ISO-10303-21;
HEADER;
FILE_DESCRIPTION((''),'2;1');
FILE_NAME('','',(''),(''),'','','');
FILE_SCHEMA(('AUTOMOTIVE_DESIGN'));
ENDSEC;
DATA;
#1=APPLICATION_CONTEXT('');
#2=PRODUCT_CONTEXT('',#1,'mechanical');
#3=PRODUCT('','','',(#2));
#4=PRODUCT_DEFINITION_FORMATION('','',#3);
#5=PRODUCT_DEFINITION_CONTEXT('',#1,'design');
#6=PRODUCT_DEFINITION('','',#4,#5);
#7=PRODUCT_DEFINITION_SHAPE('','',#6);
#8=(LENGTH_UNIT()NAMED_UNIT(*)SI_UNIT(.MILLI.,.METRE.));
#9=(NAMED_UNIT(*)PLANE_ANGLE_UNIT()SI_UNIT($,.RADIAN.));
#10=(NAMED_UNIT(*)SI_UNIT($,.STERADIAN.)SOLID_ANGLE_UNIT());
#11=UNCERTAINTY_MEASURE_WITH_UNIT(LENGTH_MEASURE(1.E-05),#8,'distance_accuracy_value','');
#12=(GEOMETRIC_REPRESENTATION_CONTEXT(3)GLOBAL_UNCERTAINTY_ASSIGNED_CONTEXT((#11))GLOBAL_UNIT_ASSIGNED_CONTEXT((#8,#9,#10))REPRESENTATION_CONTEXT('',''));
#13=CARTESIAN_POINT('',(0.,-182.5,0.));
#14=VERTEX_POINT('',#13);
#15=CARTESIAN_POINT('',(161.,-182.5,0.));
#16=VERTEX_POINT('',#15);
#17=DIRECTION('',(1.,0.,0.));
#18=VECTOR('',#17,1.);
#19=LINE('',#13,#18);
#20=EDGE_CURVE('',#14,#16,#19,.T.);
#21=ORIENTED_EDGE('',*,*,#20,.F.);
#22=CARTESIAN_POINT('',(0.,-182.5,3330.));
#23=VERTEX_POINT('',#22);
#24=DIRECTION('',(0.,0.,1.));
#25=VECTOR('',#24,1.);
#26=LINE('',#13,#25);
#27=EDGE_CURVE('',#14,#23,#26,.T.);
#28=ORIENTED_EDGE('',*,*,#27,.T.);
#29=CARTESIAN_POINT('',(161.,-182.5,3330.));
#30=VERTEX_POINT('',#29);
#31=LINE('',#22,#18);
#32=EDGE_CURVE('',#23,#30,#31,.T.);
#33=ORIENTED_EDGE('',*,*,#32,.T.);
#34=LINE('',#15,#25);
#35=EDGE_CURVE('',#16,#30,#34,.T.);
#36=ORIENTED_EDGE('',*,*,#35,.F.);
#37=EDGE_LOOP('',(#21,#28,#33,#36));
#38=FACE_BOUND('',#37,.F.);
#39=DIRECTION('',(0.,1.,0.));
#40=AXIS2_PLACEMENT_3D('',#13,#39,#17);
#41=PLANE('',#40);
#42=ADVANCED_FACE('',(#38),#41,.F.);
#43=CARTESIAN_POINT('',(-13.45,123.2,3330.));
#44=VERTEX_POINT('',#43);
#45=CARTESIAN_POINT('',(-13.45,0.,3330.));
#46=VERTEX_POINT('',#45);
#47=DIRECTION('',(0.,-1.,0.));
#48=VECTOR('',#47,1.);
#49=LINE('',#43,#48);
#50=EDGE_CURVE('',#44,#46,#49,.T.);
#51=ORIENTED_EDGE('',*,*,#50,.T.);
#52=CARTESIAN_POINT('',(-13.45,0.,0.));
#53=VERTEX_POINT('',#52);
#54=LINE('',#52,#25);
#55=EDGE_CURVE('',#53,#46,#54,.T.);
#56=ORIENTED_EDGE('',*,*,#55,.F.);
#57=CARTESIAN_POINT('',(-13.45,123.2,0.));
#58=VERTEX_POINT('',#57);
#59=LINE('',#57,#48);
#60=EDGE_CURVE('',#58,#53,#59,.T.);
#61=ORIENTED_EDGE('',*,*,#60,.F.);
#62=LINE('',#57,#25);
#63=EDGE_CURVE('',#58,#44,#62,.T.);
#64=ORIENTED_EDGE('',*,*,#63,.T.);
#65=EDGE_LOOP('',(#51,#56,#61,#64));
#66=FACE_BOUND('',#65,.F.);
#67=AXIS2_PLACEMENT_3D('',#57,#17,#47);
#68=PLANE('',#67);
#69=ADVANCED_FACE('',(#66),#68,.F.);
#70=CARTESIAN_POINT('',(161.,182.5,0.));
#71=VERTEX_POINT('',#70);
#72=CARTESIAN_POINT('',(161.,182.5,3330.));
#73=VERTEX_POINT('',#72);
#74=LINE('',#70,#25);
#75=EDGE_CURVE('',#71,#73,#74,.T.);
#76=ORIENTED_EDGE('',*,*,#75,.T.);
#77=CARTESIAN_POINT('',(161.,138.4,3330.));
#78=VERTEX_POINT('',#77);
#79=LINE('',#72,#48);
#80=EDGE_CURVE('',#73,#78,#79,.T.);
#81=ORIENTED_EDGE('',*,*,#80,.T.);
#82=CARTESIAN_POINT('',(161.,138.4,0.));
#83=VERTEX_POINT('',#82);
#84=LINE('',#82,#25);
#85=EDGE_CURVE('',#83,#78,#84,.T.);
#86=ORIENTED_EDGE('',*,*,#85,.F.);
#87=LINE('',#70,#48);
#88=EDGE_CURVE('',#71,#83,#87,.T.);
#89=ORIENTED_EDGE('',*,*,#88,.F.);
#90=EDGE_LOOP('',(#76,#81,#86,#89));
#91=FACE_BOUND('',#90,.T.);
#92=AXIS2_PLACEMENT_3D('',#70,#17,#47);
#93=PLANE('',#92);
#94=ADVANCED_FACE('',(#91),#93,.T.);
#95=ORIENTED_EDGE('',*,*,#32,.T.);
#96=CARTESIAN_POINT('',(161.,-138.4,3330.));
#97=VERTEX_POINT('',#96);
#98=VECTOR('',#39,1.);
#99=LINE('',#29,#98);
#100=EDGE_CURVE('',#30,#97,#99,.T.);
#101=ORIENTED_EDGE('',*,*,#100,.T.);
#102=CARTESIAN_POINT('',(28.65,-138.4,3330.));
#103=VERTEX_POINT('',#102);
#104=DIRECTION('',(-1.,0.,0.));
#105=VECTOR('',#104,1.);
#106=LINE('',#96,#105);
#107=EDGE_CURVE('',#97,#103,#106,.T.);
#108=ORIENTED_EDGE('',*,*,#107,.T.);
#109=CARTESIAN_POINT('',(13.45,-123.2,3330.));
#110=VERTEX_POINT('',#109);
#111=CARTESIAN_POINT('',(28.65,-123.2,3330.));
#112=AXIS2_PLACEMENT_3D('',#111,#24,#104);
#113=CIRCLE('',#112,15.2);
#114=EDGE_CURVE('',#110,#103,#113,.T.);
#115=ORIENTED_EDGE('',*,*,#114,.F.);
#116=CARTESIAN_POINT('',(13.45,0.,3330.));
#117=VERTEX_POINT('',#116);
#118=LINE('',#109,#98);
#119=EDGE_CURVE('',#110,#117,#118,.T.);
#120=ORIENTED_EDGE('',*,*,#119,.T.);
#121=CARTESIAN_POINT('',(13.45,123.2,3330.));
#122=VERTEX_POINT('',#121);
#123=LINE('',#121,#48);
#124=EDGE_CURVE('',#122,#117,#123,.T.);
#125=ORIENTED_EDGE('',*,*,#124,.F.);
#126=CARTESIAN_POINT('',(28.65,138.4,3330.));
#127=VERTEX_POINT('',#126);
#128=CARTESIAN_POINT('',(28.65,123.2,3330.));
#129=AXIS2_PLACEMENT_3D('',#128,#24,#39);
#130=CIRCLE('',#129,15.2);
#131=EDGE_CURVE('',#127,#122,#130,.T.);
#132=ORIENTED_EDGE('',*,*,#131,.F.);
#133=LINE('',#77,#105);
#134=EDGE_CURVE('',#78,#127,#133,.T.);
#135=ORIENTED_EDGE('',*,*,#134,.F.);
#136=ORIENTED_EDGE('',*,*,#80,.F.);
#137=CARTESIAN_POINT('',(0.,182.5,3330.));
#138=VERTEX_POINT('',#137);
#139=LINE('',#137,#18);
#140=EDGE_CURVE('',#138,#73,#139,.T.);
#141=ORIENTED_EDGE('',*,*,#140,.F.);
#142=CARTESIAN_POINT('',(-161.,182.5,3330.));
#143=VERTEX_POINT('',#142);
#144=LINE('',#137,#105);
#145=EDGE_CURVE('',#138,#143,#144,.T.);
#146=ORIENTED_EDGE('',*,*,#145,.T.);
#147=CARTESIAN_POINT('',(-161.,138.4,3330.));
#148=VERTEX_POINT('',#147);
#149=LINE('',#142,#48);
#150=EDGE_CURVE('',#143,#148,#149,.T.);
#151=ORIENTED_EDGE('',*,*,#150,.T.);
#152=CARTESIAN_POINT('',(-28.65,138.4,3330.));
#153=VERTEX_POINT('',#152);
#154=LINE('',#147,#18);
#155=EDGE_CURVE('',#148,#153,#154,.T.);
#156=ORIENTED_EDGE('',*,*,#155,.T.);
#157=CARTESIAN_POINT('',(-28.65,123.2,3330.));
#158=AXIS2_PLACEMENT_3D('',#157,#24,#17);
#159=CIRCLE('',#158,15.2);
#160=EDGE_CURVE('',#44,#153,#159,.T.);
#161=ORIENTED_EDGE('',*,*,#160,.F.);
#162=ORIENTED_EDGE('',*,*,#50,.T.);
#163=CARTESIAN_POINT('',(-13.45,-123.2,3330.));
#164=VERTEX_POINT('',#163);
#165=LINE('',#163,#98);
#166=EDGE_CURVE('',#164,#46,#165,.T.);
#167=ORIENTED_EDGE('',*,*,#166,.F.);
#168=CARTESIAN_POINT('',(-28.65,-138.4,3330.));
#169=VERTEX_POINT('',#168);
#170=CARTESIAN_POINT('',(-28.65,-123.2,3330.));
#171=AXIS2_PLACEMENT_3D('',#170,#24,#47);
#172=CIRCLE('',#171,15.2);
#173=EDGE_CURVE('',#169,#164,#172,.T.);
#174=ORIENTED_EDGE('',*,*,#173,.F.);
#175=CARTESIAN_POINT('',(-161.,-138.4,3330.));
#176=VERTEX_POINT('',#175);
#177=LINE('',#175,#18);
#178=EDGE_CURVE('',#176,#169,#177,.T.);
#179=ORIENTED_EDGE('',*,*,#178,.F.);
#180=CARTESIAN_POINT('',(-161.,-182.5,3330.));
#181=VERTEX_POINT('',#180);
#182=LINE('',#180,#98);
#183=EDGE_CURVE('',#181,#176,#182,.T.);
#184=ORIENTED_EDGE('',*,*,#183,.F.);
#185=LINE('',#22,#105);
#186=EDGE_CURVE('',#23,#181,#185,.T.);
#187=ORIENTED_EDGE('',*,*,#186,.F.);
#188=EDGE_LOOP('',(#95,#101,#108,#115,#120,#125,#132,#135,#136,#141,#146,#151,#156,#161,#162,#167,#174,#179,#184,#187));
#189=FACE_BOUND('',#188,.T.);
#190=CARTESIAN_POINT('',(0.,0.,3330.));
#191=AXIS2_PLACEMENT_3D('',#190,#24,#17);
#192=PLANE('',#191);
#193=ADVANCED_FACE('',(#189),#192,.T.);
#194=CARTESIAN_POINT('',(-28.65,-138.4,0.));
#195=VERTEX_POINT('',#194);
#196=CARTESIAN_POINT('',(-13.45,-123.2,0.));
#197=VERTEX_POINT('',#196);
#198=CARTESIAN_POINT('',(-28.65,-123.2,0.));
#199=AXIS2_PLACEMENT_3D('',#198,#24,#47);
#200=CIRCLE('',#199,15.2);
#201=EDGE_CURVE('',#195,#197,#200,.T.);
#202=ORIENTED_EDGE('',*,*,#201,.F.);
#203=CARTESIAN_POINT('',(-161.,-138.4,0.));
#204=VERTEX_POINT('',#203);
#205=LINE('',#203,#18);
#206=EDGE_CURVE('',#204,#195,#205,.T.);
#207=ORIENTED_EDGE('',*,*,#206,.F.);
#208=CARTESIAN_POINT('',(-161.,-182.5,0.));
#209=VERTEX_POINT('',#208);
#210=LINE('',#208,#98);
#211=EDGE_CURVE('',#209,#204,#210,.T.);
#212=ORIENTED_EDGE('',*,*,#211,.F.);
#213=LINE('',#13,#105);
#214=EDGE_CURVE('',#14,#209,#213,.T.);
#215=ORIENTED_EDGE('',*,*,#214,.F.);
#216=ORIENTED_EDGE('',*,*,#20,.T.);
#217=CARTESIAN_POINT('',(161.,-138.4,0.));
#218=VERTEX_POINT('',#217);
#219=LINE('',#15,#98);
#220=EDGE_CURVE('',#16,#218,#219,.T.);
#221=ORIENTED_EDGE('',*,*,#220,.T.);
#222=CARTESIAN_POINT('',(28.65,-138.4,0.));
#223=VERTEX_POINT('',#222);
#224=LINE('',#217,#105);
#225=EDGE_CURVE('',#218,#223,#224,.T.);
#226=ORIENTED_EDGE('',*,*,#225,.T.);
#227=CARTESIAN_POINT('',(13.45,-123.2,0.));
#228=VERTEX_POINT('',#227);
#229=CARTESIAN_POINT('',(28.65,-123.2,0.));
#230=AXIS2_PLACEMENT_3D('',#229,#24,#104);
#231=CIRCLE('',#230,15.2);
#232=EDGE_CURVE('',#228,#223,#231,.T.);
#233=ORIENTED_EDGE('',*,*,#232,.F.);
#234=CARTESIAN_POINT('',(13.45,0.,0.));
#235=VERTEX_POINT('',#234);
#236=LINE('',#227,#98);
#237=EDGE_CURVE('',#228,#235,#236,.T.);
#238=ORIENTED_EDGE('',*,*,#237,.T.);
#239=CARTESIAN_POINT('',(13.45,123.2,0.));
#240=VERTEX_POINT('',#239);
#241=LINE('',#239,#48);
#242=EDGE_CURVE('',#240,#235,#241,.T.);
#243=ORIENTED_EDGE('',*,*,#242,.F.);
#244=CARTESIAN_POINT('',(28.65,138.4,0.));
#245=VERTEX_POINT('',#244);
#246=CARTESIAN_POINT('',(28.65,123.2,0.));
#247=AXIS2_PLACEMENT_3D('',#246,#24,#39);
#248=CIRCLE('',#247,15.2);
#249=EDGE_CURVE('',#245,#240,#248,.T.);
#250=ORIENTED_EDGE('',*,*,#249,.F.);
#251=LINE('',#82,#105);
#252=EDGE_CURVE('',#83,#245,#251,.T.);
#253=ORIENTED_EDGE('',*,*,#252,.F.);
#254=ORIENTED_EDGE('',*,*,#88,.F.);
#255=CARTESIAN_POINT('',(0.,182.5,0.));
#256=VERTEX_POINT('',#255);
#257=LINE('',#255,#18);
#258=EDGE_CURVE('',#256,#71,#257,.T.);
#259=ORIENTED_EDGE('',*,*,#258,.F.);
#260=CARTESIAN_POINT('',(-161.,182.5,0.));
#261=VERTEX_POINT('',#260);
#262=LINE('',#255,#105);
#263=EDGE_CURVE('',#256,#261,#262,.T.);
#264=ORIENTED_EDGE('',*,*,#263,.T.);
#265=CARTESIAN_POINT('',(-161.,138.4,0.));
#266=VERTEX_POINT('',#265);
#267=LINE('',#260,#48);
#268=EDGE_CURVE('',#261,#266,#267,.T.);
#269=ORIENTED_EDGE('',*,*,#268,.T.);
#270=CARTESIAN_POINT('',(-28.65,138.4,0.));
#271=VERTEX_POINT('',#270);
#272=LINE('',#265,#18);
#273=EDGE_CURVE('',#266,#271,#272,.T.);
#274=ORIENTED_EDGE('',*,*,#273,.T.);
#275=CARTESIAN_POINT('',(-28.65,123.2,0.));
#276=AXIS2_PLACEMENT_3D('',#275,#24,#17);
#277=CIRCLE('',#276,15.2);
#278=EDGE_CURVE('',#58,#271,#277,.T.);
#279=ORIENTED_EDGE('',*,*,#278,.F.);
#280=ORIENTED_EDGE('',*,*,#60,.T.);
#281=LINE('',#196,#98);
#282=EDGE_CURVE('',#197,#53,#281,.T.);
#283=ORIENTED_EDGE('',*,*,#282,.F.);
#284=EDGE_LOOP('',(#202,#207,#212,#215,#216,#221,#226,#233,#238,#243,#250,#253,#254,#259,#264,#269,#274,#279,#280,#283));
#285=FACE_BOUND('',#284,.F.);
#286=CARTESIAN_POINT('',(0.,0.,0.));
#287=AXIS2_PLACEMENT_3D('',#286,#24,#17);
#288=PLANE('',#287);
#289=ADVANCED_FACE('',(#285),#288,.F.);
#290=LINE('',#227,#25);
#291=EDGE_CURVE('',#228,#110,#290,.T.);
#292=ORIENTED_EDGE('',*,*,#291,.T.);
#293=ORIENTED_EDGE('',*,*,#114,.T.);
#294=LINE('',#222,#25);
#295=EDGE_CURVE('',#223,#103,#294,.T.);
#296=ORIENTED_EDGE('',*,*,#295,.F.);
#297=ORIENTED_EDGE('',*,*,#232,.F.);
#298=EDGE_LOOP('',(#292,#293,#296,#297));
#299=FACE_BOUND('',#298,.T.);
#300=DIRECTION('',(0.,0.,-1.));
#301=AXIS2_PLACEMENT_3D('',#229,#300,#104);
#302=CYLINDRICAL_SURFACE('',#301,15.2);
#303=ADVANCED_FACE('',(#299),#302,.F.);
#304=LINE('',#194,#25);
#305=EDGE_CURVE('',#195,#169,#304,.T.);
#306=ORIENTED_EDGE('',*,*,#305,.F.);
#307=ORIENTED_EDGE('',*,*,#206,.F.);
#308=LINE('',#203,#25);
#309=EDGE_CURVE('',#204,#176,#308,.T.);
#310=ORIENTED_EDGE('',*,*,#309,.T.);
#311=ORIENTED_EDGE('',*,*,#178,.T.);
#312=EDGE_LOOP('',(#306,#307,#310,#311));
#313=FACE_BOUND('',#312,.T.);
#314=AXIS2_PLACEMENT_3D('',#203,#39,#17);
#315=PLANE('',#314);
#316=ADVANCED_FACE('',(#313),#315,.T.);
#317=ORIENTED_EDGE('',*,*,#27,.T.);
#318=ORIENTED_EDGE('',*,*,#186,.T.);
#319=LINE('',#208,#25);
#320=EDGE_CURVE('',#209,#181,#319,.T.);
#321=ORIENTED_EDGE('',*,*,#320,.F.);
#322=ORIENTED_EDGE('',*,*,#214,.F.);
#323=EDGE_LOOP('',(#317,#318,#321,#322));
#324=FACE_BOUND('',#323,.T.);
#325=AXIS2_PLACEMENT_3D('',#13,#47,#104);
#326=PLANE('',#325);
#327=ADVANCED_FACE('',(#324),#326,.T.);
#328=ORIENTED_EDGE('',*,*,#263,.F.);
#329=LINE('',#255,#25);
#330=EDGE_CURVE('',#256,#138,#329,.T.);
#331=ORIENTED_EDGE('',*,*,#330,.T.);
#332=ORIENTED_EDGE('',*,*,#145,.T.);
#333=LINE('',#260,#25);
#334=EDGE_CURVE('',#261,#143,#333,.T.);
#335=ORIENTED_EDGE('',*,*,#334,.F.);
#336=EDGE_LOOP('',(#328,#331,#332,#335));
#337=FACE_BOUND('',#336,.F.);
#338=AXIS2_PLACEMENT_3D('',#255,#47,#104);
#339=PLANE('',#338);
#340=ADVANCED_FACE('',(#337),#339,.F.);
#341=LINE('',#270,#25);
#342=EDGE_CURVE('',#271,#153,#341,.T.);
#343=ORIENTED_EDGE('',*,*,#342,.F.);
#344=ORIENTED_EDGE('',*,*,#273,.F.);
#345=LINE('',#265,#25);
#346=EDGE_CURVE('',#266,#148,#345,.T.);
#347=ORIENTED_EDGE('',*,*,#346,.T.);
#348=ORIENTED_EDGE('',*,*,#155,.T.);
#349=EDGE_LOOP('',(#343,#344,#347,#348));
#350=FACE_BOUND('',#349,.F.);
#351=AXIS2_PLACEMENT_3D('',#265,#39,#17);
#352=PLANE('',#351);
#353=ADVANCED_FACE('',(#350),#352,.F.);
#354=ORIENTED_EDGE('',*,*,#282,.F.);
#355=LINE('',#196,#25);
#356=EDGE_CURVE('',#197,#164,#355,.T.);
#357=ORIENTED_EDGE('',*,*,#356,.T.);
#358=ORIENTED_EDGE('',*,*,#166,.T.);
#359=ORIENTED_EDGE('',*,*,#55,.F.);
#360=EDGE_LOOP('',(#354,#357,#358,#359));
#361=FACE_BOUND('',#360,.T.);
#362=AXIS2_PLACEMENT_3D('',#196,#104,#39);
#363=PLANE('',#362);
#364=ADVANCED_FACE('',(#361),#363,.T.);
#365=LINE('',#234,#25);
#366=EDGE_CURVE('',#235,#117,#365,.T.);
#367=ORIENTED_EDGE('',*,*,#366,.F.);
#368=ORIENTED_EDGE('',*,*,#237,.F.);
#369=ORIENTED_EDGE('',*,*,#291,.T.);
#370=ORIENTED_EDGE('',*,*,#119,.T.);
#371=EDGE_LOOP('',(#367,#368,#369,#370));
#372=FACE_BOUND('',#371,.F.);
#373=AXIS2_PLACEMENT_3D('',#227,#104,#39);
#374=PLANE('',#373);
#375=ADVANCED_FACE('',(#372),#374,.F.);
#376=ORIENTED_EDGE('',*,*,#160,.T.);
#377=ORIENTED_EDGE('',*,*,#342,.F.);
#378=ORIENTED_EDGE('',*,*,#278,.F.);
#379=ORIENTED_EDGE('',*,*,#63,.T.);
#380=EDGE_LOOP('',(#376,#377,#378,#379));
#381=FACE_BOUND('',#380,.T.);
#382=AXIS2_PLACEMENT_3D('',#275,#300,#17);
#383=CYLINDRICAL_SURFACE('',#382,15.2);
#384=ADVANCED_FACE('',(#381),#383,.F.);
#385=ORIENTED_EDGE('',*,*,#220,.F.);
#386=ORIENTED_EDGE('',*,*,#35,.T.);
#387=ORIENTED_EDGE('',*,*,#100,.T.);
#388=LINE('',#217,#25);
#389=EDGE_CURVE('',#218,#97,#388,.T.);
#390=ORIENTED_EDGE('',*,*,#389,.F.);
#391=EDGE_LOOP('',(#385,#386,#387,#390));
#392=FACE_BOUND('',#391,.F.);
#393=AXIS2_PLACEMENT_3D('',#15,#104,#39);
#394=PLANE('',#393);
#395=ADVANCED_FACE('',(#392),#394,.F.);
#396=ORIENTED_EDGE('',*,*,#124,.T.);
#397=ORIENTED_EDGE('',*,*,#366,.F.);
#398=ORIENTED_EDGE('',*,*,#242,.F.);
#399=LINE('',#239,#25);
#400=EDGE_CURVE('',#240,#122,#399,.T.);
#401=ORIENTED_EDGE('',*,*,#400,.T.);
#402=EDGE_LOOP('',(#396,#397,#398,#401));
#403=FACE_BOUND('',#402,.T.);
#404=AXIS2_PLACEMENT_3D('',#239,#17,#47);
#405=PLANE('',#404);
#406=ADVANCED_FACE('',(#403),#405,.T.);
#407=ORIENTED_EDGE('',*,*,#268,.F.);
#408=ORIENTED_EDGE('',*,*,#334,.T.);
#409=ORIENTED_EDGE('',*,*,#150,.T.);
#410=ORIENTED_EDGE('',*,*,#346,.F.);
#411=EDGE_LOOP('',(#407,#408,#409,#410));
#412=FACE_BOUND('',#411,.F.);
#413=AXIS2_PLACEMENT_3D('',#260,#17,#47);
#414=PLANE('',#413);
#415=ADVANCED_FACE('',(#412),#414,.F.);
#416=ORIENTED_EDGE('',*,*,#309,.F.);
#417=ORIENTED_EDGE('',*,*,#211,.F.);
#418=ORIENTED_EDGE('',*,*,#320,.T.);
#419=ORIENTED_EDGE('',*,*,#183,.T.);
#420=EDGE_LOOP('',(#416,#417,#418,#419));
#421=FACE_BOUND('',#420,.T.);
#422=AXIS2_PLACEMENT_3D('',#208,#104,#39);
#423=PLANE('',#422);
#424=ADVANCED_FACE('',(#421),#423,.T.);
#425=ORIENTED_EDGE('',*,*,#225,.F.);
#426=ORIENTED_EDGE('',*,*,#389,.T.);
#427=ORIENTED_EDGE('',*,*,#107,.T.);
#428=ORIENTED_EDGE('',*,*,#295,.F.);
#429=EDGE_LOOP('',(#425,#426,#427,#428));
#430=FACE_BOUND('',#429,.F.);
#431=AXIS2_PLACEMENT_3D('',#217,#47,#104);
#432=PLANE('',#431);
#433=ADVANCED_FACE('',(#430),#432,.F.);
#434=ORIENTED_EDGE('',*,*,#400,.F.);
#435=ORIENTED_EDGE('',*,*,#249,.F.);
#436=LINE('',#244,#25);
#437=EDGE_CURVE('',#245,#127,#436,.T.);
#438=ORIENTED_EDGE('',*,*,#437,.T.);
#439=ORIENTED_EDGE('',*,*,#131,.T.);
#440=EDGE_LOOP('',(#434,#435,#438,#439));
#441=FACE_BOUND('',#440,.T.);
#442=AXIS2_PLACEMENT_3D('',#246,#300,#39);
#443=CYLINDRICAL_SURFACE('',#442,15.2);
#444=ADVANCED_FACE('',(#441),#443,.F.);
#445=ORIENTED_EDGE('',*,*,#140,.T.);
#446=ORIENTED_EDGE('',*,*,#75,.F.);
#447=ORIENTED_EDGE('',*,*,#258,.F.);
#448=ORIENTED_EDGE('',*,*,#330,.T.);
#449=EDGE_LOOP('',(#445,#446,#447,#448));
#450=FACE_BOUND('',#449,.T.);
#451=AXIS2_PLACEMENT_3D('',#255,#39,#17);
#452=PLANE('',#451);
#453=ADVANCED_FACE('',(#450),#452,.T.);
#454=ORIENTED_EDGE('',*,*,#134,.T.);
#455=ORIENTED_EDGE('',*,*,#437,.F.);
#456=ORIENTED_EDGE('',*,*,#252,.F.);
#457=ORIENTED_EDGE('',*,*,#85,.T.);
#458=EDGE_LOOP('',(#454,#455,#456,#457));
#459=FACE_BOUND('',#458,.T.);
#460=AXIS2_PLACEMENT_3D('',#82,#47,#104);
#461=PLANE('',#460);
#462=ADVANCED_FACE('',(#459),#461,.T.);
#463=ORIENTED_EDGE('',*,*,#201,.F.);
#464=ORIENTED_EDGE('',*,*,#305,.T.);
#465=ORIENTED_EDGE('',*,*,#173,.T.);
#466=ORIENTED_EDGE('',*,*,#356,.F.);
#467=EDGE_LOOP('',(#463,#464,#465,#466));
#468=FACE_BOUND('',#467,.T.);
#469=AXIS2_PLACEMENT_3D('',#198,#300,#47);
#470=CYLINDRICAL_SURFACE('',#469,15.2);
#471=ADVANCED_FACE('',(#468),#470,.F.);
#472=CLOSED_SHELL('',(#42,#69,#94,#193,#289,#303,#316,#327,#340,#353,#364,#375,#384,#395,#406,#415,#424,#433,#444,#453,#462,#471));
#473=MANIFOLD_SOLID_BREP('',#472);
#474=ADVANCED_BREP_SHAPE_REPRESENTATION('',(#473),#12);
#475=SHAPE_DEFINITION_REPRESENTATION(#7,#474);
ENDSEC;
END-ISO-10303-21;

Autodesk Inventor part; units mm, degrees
ref_plane "YZ Plane" through (0, 0, 0) normal (1, 0, 0) x (0, 1, 0)
ref_plane "Start plane" through (0, 0, 0) normal (0, 0, 1) x (1, 0, 0)
ref_plane "End plane" through (0, 0, 3330) normal (0, 0, 1) x (1, 0, 0)
sketch "Sketch" plane through (0, 0, 0) normal (0, 0, 1) x (1, 0, 0)
  line L0 (-161, -182.5) -> (-161, -138.4)
  line L1 (-161, -138.4) -> (-28.65, -138.4)
  line L2 (-13.45, -123.2) -> (-13.45, 0)
  line L3 (-13.45, 0) -> (0, 0) construction
  line L4 (0, 0) -> (0, -182.5) construction
  line L5 (0, -182.5) -> (-161, -182.5)
  line L6 (-60, 0) -> (80, 0) construction
  line L7 (0, -60) -> (0, 80) construction
  line L8 (161, -182.5) -> (161, -138.4)
  line L9 (161, -138.4) -> (28.65, -138.4)
  line L10 (13.45, -123.2) -> (13.45, 0)
  line L11 (13.45, 0) -> (0, 0) construction
  line L12 (0, -182.5) -> (161, -182.5)
  line L13 (-161, 182.5) -> (-161, 138.4)
  line L14 (-161, 138.4) -> (-28.65, 138.4)
  line L15 (-13.45, 123.2) -> (-13.45, 0)
  line L16 (0, 182.5) -> (-161, 182.5)
  line L17 (161, 182.5) -> (161, 138.4)
  line L18 (161, 138.4) -> (28.65, 138.4)
  line L19 (0, 182.5) -> (161, 182.5)
  line L20 (13.45, 123.2) -> (13.45, 0)
  arc A0 (-13.45, 123.2) -> (-28.65, 138.4) centre (-28.65, 123.2) ccw
  arc A1 (28.65, 138.4) -> (13.45, 123.2) centre (28.65, 123.2) ccw
  arc A2 (13.45, -123.2) -> (28.65, -138.4) centre (28.65, -123.2) ccw
  arc A3 (-28.65, -138.4) -> (-13.45, -123.2) centre (-28.65, -123.2) ccw
  line L21 (0, 108) -> (0, -88) construction
  line L22 (-88, 0) -> (108, 0) construction
  point P0 (-13.45, -138.4)
  point P1 (13.45, -138.4)
  point P2 (-13.45, 138.4)
  point P3 (13.45, 138.4)
  dimension "d1" = 182.5
  dimension "d2" = 44.1
  dimension "d3" = 161
  dimension "d4" = 13.45
  dimension "d10" = 15.2
extrude "Body" add sketch "Sketch" along normal up to surface (3330 mm away) from surface at 0
sketch "Sketch4" plane through (0, 0, 0) normal (0, 0, 1) x (1, 0, 0)
  line L0 (0, 0) -> (10, 0)
ref_plane "Work Plane3" through (0, 0, 0) normal (0, -1, 0) x (1, 0, 0)
sketch "Sketch5" plane through (0, 0, 0) normal (0, -1, 0) x (1, 0, 0)
  line L0 (-2, 0) -> (12, 0) projected
  line L1 (-2, 3330) -> (12, 3330) projected
  dimension "d14" = 3330
equation "\"d1\" = 0.5 * G_H"
equation "\"d2\" = G_T1"
equation "\"d3\" = 0.5 * G_W"
equation "\"d4\" = 0.5 * G_T"
equation "\"d10\" = G_IR"
equation "\"d5\" = G_L"
equation "\"G_W\" = 322"
equation "\"G_H\" = 365"
equation "\"G_T\" = 26.9"
equation "\"G_T1\" = 44.1"
equation "\"G_IR\" = 15.2"
equation "\"G_L\" = d14"
equation "\"G_OFFSET_START\" = 0"
equation "\"G_OFFSET_END\" = 0"
properties part number "AS 3679 - 310 UC - 283 - 3330" material "Steel, Mild"
